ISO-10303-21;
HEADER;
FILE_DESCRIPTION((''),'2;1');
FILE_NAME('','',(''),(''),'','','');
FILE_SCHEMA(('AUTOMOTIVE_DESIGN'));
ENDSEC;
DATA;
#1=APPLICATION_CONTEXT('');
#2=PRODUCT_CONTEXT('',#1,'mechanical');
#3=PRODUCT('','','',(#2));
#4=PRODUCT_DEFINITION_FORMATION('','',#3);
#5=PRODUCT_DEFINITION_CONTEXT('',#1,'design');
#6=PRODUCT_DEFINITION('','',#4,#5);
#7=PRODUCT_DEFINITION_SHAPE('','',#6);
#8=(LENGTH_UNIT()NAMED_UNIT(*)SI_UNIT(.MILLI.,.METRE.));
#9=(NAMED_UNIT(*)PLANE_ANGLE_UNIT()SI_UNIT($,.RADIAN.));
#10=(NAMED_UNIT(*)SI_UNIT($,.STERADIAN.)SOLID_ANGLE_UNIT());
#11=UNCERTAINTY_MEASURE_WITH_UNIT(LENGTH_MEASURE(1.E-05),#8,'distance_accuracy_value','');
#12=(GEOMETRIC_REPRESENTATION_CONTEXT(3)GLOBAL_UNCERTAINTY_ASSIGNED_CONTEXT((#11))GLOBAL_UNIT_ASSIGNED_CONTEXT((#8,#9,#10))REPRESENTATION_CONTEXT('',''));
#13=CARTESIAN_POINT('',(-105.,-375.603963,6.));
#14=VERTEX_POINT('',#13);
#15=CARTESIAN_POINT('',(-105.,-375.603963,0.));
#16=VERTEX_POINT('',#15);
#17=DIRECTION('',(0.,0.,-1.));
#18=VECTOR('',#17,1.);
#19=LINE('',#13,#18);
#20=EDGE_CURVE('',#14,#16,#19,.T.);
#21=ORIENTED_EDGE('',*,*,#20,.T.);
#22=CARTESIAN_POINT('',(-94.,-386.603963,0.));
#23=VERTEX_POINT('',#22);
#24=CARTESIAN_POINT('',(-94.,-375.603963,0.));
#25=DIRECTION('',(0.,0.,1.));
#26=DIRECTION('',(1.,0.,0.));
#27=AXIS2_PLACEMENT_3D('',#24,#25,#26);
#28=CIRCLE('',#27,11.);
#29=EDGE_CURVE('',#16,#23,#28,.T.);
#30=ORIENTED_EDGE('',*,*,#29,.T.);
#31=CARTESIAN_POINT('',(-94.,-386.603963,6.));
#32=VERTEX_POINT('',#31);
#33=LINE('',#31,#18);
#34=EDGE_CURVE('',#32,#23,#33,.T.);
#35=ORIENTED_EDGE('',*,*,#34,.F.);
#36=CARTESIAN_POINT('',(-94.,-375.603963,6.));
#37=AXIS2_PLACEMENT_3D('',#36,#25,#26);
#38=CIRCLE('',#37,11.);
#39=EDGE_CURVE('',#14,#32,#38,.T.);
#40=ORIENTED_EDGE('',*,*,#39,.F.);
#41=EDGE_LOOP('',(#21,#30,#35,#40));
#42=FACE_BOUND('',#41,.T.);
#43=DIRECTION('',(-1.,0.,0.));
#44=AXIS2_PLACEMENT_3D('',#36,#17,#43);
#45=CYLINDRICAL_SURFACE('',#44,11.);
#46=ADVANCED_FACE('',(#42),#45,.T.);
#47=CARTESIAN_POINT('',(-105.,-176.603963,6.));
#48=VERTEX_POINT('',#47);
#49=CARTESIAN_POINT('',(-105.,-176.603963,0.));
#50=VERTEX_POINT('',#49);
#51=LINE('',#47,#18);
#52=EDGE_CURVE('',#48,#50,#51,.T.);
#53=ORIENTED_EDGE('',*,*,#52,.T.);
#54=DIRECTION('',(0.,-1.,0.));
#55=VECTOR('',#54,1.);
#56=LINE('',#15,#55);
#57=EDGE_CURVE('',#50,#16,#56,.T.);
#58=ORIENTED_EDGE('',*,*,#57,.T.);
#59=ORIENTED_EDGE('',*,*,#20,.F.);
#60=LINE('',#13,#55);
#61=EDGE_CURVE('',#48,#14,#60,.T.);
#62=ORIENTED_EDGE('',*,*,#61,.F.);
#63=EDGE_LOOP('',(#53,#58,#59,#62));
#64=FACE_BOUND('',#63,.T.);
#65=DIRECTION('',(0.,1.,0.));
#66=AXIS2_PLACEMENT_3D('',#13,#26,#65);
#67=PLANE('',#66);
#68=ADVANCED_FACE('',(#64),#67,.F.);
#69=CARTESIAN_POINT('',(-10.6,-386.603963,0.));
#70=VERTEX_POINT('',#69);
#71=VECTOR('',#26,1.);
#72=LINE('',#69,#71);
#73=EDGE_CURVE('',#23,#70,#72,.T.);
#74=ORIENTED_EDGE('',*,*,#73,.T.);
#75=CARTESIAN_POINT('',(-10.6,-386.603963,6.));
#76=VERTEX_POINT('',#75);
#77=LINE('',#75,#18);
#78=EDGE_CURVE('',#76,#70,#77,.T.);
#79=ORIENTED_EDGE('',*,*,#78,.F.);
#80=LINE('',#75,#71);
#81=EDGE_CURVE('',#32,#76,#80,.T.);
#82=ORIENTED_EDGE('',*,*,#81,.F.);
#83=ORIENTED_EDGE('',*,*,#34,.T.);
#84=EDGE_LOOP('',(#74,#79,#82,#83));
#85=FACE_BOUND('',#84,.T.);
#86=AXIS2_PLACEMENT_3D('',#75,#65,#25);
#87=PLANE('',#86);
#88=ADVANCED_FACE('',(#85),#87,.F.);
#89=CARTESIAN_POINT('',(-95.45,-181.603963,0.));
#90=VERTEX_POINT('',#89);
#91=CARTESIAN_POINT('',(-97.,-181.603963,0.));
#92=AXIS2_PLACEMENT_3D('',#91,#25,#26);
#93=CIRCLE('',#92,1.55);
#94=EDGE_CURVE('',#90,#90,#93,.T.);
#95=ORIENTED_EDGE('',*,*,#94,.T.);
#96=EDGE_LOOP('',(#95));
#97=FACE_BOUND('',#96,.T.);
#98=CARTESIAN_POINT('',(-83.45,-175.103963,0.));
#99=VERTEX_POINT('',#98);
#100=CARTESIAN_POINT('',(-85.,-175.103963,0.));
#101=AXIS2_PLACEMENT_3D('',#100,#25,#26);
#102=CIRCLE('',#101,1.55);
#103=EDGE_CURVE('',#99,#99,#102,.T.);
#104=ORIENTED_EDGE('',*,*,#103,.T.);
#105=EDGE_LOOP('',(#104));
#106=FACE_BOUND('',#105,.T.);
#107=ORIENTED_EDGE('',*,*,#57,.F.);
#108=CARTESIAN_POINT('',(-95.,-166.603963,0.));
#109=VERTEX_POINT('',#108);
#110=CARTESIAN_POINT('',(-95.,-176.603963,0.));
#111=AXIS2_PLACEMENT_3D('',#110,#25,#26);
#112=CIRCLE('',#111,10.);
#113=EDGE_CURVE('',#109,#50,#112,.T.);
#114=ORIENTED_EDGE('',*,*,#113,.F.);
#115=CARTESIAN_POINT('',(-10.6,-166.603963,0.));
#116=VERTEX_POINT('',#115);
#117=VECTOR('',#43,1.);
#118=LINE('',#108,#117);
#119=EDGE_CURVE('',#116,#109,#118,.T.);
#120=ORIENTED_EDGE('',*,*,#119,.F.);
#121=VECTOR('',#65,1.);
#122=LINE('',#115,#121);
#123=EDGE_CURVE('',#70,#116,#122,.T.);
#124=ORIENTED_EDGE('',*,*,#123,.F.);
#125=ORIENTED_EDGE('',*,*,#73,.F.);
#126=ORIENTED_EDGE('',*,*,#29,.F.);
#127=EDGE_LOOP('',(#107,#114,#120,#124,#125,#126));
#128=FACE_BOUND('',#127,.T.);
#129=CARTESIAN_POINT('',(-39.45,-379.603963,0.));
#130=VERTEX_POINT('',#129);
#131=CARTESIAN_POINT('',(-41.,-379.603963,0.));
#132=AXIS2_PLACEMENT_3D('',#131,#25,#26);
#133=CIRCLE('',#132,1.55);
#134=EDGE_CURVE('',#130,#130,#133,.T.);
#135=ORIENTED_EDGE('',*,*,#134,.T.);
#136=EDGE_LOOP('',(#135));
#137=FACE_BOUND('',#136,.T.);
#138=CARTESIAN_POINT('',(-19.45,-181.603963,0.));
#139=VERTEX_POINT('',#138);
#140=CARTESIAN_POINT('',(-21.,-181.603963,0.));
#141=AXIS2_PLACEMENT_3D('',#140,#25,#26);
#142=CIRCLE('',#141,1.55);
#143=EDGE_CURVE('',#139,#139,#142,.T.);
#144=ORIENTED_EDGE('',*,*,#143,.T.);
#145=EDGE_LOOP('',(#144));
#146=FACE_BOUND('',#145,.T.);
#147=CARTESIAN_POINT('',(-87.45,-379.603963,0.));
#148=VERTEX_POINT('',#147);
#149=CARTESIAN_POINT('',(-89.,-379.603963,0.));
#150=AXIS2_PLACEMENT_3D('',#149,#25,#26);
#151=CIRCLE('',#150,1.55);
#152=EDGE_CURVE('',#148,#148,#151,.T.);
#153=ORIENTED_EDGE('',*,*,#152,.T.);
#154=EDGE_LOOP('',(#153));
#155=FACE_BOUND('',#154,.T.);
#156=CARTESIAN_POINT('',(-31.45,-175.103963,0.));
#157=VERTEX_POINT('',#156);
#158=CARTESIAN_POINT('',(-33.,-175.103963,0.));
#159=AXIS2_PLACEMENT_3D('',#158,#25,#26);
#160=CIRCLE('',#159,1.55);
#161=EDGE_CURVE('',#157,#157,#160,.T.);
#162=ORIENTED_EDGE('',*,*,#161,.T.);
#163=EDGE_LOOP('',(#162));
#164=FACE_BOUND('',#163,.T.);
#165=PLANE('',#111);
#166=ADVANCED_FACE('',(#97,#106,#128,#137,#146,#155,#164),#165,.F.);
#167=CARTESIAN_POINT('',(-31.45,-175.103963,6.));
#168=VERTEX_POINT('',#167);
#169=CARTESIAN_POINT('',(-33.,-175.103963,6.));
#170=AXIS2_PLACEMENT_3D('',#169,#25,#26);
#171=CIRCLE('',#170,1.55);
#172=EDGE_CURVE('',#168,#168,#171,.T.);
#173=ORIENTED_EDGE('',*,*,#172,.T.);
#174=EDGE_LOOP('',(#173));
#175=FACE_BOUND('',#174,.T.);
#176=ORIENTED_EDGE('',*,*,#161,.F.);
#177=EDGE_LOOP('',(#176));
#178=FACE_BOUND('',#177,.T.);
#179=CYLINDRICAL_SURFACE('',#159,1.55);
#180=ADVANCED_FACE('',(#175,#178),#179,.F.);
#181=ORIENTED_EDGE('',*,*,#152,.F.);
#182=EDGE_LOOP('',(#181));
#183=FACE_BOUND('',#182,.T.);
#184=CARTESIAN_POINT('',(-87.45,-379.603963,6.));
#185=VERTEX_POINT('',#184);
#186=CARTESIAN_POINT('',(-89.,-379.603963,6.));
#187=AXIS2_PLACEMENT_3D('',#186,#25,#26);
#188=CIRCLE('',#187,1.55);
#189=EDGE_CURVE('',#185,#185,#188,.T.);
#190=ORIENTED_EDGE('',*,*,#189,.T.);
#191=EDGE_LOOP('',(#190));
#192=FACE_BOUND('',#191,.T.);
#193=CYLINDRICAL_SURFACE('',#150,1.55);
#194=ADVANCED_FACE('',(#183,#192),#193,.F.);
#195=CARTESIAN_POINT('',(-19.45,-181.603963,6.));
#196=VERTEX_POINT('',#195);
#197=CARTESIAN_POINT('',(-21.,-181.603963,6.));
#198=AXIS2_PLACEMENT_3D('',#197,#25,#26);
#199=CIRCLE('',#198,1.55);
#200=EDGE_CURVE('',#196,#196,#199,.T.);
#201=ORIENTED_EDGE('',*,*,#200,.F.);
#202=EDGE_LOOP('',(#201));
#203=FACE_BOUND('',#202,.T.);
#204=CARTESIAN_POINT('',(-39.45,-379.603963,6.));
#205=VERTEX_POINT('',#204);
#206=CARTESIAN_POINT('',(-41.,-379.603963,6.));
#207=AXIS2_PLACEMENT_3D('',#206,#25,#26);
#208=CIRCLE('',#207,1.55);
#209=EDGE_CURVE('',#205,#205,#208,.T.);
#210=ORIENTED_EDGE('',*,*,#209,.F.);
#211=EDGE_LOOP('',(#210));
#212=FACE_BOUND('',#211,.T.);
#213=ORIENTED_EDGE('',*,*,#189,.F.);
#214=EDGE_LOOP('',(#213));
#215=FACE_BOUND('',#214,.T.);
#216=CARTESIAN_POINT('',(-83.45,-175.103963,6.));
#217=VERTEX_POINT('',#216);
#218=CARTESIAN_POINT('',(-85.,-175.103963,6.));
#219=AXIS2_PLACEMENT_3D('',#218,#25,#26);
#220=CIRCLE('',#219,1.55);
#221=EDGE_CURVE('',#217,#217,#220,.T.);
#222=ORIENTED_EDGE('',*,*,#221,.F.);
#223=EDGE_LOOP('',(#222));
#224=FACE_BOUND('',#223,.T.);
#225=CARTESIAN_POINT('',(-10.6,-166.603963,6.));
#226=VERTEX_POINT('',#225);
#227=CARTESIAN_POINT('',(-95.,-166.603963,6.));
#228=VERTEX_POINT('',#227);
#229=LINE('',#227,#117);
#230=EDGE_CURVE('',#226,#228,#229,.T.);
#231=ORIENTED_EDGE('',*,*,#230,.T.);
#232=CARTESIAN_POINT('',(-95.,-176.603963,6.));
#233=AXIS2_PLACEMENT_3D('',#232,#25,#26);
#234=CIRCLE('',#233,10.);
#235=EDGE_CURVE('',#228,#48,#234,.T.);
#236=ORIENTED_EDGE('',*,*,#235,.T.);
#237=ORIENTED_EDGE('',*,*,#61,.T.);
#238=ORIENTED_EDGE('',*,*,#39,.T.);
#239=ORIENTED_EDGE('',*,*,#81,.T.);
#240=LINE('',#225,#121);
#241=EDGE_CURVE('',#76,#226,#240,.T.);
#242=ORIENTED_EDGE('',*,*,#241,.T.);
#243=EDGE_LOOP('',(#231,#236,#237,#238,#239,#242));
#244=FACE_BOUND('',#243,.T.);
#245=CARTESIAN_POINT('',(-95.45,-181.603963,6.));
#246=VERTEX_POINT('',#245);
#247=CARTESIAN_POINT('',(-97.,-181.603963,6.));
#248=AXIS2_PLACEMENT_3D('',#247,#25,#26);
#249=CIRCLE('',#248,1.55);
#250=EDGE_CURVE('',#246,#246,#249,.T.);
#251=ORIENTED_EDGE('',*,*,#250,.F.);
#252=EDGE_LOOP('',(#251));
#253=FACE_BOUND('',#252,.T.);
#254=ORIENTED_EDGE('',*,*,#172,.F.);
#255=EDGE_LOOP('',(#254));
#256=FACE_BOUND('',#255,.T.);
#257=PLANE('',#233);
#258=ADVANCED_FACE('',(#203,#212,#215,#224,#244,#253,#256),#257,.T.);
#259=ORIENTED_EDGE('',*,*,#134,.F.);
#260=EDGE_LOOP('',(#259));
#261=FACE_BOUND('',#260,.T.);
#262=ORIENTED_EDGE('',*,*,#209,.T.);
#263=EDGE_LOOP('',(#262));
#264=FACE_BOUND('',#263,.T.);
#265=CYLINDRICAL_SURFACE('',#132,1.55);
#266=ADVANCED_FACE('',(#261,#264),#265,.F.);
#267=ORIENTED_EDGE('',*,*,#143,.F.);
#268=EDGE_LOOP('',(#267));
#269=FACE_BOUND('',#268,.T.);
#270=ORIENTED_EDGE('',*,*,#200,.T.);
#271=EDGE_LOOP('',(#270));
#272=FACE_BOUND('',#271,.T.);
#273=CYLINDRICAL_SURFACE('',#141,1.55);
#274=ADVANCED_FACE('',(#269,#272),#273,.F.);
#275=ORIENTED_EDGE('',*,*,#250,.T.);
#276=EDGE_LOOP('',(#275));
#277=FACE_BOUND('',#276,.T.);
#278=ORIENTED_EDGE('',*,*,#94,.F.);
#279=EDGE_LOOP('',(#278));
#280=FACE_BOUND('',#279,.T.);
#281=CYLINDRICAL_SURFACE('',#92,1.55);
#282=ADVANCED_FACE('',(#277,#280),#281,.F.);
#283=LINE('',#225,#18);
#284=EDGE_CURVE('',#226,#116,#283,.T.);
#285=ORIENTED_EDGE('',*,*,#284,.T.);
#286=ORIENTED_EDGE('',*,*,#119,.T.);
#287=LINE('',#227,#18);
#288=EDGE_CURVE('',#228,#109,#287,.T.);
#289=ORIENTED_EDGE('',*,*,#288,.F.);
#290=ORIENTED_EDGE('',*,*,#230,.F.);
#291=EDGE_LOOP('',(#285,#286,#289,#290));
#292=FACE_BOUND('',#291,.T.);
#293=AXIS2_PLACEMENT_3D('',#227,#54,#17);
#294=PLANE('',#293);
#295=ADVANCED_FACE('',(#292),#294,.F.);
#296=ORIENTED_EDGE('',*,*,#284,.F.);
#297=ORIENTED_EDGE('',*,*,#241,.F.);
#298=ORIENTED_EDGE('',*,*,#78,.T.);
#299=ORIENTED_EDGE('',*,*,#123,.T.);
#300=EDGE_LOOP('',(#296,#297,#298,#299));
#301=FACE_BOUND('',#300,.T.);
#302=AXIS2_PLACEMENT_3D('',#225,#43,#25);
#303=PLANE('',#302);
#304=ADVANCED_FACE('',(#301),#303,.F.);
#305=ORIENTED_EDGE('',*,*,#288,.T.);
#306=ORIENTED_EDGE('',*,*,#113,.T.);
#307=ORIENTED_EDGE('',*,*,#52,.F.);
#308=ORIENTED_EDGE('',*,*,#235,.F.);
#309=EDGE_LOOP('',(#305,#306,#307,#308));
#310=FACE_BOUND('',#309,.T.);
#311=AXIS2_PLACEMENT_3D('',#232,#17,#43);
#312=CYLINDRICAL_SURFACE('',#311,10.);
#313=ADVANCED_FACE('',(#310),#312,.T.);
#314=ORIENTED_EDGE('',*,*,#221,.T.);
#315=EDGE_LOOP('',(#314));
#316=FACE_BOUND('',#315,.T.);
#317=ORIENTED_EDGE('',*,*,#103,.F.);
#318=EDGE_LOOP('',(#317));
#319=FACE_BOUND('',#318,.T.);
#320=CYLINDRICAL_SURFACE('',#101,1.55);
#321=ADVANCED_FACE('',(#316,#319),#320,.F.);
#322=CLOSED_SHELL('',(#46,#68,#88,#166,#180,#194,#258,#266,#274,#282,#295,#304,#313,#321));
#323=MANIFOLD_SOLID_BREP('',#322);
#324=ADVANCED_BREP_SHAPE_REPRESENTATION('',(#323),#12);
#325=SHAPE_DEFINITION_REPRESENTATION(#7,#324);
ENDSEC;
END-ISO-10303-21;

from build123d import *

# Parameters (mm, degrees)
DODANIE_WYCI_GNI_CIE1_DEPTH = 6
SZKIC4_R                    = 1.55
WYTNIJ_WYCI_GNI_CIE1_DEPTH  = 6
SZKIC7_R                    = 1.55
WYTNIJ_WYCI_GNI_CIE3_DEPTH  = 6


with BuildPart() as part:
    # Szkic2 → Dodanie-wyciągnięcie1 (new body)
    with BuildSketch(Plane.XY):
        with BuildLine():
            Line((-10.6, -166.603962956), (-10.6, -386.603962956))
            Line((-10.6, -386.603962956), (-94, -386.603962956))
            ThreePointArc((-94, -386.603962956), (-101.778174593, -383.382137549), (-105, -375.603962956))
            Line((-105, -375.603962956), (-105, -176.603962956))
            ThreePointArc((-105, -176.603962956), (-102.071067812, -169.532895144), (-95, -166.603962956))
            Line((-95, -166.603962956), (-10.6, -166.603962956))
        make_face()
    extrude(amount=DODANIE_WYCI_GNI_CIE1_DEPTH)

    # Szkic4 → Wytnij-wyciągnięcie1 (cut)
    with BuildSketch(Plane.XY.offset(6)):
        with Locations((-41, -379.603962956)):
            Circle(SZKIC4_R)
        with Locations((-89, -379.603962956)):
            Circle(SZKIC4_R)
    extrude(amount=-WYTNIJ_WYCI_GNI_CIE1_DEPTH, mode=Mode.SUBTRACT)

    # Szkic7 → Wytnij-wyciągnięcie3 (cut)
    with BuildSketch(Plane.XY.offset(6)):
        with Locations((-21, -181.603962956)):
            Circle(SZKIC7_R)
        with Locations((-97, -181.603962956)):
            Circle(SZKIC7_R)
        with Locations((-85, -175.103962956)):
            Circle(SZKIC7_R)
        with Locations((-33, -175.103962956)):
            Circle(SZKIC7_R)
    extrude(amount=-WYTNIJ_WYCI_GNI_CIE3_DEPTH, mode=Mode.SUBTRACT)


solid = part.part
